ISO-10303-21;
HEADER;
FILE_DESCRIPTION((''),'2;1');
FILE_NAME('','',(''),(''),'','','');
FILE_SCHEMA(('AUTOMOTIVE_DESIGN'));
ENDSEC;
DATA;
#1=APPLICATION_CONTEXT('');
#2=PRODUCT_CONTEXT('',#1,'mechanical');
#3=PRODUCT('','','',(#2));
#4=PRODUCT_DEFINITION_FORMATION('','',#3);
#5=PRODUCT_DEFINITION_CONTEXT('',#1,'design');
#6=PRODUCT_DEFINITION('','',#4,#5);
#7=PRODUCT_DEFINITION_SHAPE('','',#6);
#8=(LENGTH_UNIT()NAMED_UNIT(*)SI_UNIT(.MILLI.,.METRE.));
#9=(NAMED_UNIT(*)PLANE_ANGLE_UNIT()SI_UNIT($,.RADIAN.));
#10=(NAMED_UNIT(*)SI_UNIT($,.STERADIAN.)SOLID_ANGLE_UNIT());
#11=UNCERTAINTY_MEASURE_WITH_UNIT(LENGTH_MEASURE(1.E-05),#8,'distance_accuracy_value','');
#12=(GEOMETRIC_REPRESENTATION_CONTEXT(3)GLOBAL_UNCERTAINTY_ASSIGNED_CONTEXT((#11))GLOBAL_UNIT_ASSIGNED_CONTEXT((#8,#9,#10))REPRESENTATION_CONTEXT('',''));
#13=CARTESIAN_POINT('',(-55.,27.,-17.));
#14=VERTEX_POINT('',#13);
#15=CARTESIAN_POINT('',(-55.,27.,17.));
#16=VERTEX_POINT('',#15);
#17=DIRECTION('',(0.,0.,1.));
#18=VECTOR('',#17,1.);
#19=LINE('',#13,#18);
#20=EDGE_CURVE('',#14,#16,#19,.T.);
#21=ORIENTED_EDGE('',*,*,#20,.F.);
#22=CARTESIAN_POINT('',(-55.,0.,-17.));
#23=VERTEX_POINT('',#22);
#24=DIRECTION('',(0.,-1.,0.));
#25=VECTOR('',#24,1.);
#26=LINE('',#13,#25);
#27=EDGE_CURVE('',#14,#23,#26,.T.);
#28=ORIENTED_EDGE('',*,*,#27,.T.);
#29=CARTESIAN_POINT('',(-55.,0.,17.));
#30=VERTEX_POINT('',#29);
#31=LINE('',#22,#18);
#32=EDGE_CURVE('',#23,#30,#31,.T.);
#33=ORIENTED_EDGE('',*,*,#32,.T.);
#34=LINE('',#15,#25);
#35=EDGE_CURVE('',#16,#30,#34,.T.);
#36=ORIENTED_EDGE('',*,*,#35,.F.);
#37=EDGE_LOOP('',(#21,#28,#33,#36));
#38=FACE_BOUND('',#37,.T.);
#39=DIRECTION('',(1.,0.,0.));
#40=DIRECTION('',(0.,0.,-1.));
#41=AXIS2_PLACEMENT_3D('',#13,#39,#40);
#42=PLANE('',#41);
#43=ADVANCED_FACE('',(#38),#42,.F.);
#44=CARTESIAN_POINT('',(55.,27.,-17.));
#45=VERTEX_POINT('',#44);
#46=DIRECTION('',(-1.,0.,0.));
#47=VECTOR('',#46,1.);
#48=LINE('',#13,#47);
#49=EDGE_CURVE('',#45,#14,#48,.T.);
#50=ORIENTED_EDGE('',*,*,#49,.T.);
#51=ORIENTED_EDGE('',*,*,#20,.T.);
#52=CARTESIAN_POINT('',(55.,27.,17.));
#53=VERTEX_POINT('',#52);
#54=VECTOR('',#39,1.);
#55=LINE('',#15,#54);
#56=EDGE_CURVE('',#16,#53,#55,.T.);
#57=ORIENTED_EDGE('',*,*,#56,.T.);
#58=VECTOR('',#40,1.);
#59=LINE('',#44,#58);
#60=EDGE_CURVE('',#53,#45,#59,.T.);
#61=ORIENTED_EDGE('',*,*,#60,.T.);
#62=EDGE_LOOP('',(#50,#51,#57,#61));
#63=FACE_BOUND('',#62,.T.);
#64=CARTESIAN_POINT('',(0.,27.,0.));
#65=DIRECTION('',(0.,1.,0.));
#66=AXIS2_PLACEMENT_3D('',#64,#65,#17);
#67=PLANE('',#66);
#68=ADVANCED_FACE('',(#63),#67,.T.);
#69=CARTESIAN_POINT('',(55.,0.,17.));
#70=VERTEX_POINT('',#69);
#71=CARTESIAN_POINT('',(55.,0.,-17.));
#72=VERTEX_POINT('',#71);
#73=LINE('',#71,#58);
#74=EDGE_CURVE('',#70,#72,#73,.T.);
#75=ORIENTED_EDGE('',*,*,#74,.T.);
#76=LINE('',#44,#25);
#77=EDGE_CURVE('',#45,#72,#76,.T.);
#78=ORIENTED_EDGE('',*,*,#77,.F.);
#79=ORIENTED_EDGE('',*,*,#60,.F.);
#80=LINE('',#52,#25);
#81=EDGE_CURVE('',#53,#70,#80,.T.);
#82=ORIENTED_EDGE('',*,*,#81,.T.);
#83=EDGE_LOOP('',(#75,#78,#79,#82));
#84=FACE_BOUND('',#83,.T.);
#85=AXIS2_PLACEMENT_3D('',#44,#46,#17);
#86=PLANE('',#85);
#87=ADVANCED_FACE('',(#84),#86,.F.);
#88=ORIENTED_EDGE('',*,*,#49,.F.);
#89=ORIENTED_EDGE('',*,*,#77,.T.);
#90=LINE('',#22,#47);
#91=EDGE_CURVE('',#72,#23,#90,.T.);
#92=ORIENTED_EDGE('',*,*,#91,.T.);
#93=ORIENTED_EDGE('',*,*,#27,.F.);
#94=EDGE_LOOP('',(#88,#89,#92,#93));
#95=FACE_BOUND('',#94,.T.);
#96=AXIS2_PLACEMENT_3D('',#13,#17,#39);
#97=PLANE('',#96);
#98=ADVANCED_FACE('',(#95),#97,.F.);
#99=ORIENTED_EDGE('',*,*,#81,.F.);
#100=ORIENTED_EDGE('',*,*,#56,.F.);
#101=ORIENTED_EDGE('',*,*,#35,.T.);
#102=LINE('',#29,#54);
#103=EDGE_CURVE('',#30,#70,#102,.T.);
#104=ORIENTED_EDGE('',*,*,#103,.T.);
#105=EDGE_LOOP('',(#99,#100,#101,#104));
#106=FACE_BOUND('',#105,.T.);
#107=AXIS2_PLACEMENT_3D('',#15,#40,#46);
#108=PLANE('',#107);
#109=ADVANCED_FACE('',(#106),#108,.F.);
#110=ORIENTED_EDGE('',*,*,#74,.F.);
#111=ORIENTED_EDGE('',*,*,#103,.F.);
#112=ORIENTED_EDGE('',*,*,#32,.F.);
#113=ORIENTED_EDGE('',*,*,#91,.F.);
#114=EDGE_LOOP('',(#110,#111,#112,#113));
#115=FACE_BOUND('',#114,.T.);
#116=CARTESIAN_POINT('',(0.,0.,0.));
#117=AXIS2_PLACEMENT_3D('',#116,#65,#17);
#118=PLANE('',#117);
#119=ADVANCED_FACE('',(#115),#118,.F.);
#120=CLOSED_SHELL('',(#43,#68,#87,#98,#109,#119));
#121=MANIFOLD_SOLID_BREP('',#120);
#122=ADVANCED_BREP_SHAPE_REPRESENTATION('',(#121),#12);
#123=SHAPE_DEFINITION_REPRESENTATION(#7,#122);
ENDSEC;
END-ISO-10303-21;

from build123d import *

# Parameters (mm, degrees)
SKETCH_1_W      = 110
SKETCH_1_H      = 34
EXTRUDE_1_DEPTH = 27


with BuildPart() as part:
    # 草图1 → 凸台-拉伸1 (new body)
    with BuildSketch(Plane(origin=(0, 0, 0), x_dir=(1, 0, 0), z_dir=(0, 1, 0))):
        Rectangle(SKETCH_1_W, SKETCH_1_H)
    extrude(amount=EXTRUDE_1_DEPTH)


solid = part.part
